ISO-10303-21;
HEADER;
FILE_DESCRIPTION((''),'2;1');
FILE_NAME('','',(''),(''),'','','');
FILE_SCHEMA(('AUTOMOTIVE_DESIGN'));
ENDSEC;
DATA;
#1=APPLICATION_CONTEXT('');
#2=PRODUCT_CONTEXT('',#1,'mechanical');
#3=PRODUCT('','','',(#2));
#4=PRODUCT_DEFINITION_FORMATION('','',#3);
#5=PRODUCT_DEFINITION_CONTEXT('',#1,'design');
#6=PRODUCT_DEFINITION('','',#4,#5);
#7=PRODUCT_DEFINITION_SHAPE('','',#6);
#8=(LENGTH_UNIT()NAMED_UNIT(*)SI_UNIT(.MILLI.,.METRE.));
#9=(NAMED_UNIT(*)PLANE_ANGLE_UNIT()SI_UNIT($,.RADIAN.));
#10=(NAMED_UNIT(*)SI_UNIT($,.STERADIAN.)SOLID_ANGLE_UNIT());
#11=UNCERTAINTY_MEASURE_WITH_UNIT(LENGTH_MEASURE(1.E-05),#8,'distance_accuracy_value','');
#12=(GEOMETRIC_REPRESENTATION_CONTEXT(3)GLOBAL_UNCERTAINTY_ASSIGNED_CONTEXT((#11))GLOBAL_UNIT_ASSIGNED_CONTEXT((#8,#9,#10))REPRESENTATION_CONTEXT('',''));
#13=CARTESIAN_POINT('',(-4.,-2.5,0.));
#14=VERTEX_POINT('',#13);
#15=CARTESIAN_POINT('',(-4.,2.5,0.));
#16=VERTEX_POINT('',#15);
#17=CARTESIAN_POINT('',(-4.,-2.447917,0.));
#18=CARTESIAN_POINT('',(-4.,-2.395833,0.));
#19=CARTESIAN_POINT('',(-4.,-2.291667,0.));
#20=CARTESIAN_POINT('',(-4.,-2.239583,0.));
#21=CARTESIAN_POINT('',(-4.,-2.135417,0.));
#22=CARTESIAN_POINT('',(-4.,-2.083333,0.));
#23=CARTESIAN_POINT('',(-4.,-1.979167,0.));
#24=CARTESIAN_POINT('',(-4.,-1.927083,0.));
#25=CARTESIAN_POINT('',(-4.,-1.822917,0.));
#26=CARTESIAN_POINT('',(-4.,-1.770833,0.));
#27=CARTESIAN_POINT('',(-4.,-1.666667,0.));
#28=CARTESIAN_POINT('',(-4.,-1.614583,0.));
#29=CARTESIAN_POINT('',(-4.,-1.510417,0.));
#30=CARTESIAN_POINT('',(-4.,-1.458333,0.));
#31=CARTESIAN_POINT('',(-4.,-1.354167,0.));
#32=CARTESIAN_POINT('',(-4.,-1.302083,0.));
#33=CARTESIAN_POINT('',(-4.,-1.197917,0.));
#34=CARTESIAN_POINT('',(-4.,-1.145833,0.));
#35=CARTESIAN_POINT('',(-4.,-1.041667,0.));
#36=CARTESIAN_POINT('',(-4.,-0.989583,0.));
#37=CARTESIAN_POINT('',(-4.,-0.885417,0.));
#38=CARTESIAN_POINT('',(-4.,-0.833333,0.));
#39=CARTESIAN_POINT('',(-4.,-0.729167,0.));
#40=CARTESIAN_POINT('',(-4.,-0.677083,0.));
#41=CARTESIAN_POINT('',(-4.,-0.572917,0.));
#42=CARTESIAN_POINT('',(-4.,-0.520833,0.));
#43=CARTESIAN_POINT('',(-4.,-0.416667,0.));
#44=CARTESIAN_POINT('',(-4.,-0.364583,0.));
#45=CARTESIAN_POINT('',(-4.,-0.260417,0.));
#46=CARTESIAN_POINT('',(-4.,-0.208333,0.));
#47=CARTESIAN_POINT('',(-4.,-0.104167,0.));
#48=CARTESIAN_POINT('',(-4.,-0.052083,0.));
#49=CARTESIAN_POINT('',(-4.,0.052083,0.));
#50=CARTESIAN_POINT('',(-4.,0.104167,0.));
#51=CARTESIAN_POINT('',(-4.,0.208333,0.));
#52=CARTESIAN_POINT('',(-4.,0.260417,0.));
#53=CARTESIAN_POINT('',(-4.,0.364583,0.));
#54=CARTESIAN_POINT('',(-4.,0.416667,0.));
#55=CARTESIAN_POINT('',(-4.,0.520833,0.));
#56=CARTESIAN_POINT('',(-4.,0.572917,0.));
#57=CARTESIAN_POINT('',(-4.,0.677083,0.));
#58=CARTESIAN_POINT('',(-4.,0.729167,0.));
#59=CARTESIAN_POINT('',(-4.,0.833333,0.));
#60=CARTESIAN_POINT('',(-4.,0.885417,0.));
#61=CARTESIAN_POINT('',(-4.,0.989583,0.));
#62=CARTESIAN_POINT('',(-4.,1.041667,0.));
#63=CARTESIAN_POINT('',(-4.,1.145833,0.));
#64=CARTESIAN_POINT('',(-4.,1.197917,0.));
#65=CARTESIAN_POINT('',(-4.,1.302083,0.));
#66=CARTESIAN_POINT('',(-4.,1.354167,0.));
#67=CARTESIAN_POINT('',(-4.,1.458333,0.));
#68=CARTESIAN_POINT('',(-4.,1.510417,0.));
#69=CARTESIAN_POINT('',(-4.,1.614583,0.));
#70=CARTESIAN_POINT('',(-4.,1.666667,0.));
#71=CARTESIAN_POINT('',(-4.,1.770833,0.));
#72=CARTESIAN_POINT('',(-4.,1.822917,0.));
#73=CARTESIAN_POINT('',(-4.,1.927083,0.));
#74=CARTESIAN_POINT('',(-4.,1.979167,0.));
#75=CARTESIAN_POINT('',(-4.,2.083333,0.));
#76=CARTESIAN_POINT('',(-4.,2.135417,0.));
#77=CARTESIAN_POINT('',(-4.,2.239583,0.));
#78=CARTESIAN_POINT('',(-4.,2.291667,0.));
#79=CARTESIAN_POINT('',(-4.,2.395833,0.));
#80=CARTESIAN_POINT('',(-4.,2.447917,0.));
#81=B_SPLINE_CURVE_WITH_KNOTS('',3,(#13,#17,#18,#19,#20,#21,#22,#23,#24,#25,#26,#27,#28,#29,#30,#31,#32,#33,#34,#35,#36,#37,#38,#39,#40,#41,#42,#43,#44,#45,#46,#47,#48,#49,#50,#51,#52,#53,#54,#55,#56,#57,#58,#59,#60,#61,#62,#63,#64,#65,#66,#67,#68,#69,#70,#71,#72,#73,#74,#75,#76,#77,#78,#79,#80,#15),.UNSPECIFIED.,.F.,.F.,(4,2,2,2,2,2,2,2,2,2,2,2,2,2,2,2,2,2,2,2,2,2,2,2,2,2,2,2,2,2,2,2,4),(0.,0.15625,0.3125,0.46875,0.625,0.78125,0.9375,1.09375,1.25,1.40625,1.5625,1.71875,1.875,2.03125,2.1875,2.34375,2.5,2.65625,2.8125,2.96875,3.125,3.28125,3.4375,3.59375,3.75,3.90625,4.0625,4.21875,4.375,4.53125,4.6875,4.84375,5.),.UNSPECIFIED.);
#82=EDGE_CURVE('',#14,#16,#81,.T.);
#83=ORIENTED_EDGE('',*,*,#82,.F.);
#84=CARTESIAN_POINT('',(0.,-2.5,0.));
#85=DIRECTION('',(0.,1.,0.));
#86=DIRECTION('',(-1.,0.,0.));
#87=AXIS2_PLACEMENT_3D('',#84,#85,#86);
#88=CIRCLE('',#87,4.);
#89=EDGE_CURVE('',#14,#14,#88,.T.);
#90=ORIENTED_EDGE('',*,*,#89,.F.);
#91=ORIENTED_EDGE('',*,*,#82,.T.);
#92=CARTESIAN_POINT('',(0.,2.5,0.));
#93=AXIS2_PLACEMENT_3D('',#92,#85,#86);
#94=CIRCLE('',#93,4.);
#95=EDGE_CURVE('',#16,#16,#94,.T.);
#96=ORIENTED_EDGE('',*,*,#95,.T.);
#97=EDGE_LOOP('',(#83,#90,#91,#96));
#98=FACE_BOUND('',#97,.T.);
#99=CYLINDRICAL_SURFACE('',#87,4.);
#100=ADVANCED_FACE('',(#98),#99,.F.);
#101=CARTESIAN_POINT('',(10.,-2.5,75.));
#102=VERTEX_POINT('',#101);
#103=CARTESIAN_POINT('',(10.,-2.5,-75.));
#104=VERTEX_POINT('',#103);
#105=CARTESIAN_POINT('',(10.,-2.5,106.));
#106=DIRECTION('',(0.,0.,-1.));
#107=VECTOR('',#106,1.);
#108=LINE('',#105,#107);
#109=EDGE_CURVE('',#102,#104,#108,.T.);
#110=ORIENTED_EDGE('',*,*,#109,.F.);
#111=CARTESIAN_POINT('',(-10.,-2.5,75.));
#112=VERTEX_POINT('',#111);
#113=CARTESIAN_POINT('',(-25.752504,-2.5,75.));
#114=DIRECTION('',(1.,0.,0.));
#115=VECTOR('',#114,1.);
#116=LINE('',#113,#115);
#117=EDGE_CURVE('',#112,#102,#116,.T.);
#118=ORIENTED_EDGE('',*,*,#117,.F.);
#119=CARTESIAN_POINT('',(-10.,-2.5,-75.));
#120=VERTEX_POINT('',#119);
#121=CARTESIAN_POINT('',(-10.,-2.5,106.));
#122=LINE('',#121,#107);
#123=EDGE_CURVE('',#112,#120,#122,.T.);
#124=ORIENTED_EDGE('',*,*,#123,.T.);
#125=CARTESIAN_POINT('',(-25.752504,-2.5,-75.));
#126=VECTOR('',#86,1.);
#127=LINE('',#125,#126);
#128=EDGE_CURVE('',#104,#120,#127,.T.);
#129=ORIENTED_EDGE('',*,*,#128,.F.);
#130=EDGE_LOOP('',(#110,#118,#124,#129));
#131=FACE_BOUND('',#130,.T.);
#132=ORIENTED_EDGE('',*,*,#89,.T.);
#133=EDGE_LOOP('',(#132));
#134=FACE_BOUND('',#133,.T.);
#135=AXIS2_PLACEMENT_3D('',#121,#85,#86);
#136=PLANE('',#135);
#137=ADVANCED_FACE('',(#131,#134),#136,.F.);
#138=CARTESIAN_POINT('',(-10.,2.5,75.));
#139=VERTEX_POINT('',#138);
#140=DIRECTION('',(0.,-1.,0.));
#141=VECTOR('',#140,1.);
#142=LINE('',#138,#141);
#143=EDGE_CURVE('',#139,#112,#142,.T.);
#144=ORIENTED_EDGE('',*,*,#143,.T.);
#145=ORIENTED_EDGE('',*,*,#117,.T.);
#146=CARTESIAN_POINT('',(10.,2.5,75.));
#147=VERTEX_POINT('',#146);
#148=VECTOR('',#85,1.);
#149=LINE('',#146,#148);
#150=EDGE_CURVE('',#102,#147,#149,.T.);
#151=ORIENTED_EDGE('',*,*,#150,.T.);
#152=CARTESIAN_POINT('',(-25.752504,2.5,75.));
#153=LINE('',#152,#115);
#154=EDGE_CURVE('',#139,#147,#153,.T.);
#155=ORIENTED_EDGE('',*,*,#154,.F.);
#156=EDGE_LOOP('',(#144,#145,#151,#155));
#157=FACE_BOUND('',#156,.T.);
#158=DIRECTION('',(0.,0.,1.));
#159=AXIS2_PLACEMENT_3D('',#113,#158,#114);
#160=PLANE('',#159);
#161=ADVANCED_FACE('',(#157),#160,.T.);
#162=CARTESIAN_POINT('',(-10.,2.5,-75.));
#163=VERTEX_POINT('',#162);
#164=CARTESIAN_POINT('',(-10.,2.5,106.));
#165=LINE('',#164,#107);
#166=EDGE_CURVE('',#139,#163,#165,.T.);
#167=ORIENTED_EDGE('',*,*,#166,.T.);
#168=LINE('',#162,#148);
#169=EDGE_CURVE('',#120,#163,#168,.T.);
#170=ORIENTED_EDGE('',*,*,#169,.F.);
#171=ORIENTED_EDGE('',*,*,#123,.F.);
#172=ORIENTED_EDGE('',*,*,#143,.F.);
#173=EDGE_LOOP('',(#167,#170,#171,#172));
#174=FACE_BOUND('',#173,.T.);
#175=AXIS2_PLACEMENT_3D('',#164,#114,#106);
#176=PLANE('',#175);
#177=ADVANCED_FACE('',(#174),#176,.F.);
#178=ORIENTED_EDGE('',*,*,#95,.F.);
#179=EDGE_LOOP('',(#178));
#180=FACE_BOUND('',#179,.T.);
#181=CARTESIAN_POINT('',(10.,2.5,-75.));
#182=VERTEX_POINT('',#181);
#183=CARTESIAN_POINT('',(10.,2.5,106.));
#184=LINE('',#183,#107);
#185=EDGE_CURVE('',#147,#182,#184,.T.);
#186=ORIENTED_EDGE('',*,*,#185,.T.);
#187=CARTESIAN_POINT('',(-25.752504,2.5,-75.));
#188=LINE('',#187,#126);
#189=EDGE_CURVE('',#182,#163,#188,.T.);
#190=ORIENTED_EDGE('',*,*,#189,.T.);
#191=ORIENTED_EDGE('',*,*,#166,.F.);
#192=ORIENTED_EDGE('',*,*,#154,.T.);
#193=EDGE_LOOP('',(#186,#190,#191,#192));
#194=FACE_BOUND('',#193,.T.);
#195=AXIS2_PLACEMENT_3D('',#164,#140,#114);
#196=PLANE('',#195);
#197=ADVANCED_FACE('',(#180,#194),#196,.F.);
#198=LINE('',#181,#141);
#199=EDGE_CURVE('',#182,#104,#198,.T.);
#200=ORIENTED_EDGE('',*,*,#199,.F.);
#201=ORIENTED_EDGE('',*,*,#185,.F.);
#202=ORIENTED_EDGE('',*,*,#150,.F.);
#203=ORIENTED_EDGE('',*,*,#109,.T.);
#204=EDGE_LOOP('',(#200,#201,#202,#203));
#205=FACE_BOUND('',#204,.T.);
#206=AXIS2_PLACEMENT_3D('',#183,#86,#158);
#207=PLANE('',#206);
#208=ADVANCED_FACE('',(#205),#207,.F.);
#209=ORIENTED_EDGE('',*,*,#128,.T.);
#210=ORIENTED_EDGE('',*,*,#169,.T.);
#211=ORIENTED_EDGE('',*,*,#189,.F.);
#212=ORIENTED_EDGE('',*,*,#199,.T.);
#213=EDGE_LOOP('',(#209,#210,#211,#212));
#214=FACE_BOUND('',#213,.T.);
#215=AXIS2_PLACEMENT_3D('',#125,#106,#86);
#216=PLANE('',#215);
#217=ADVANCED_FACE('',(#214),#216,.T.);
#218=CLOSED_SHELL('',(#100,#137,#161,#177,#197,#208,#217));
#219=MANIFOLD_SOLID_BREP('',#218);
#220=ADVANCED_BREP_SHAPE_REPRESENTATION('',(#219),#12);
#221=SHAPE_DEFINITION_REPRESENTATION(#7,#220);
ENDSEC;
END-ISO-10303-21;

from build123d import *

# Parameters (mm, degrees)
SKETCH1_W                       = 20
SKETCH1_H                       = 5
BOSS_EXTRUDE1_DEPTH             = 106
SKETCH2_R                       = 4
HOLES_FOR_20MM_STRIP_ONLY_DEPTH = 107.587991819
SKETCH5_OUTSIDE_W               = 64.6
SKETCH5_OUTSIDE_H               = 256.6
SKETCH5_OUTSIDE_W_2             = 51.505008444
SKETCH5_OUTSIDE_H_2             = 150
CUT_EXTRUDE3_DEPTH              = 107.587991819


with BuildPart() as part:
    # Sketch1 → Boss-Extrude1 (new, symmetric)
    with BuildSketch(Plane.XY):
        Rectangle(SKETCH1_W, SKETCH1_H)
    extrude(amount=BOSS_EXTRUDE1_DEPTH, both=True)

    # Sketch2 → Holes for 20mm strip ONLY (cut, through all)
    with BuildSketch(Plane(origin=(0, 2.5, 0), x_dir=(1, 0, 0), z_dir=(0, 1, 0))):
        with Locations(Location((0, 87.5, 0), (0, 0, 180))):
            Circle(SKETCH2_R)
        with Locations(Location((0, 0, 0), (0, 0, 180))):
            Circle(SKETCH2_R)
        with Locations(Location((0, -87.5, 0), (0, 0, 180))):
            Circle(SKETCH2_R)
    extrude(amount=-HOLES_FOR_20MM_STRIP_ONLY_DEPTH, mode=Mode.SUBTRACT)

    # Sketch5 outside → Cut-Extrude3 (cut, through all)
    with BuildSketch(Plane(origin=(0, 2.5, 0), x_dir=(1, 0, 0), z_dir=(0, 1, 0))):
        Rectangle(SKETCH5_OUTSIDE_W, SKETCH5_OUTSIDE_H)
        Rectangle(SKETCH5_OUTSIDE_W_2, SKETCH5_OUTSIDE_H_2, mode=Mode.SUBTRACT)
    extrude(amount=-CUT_EXTRUDE3_DEPTH, mode=Mode.SUBTRACT)


solid = part.part
